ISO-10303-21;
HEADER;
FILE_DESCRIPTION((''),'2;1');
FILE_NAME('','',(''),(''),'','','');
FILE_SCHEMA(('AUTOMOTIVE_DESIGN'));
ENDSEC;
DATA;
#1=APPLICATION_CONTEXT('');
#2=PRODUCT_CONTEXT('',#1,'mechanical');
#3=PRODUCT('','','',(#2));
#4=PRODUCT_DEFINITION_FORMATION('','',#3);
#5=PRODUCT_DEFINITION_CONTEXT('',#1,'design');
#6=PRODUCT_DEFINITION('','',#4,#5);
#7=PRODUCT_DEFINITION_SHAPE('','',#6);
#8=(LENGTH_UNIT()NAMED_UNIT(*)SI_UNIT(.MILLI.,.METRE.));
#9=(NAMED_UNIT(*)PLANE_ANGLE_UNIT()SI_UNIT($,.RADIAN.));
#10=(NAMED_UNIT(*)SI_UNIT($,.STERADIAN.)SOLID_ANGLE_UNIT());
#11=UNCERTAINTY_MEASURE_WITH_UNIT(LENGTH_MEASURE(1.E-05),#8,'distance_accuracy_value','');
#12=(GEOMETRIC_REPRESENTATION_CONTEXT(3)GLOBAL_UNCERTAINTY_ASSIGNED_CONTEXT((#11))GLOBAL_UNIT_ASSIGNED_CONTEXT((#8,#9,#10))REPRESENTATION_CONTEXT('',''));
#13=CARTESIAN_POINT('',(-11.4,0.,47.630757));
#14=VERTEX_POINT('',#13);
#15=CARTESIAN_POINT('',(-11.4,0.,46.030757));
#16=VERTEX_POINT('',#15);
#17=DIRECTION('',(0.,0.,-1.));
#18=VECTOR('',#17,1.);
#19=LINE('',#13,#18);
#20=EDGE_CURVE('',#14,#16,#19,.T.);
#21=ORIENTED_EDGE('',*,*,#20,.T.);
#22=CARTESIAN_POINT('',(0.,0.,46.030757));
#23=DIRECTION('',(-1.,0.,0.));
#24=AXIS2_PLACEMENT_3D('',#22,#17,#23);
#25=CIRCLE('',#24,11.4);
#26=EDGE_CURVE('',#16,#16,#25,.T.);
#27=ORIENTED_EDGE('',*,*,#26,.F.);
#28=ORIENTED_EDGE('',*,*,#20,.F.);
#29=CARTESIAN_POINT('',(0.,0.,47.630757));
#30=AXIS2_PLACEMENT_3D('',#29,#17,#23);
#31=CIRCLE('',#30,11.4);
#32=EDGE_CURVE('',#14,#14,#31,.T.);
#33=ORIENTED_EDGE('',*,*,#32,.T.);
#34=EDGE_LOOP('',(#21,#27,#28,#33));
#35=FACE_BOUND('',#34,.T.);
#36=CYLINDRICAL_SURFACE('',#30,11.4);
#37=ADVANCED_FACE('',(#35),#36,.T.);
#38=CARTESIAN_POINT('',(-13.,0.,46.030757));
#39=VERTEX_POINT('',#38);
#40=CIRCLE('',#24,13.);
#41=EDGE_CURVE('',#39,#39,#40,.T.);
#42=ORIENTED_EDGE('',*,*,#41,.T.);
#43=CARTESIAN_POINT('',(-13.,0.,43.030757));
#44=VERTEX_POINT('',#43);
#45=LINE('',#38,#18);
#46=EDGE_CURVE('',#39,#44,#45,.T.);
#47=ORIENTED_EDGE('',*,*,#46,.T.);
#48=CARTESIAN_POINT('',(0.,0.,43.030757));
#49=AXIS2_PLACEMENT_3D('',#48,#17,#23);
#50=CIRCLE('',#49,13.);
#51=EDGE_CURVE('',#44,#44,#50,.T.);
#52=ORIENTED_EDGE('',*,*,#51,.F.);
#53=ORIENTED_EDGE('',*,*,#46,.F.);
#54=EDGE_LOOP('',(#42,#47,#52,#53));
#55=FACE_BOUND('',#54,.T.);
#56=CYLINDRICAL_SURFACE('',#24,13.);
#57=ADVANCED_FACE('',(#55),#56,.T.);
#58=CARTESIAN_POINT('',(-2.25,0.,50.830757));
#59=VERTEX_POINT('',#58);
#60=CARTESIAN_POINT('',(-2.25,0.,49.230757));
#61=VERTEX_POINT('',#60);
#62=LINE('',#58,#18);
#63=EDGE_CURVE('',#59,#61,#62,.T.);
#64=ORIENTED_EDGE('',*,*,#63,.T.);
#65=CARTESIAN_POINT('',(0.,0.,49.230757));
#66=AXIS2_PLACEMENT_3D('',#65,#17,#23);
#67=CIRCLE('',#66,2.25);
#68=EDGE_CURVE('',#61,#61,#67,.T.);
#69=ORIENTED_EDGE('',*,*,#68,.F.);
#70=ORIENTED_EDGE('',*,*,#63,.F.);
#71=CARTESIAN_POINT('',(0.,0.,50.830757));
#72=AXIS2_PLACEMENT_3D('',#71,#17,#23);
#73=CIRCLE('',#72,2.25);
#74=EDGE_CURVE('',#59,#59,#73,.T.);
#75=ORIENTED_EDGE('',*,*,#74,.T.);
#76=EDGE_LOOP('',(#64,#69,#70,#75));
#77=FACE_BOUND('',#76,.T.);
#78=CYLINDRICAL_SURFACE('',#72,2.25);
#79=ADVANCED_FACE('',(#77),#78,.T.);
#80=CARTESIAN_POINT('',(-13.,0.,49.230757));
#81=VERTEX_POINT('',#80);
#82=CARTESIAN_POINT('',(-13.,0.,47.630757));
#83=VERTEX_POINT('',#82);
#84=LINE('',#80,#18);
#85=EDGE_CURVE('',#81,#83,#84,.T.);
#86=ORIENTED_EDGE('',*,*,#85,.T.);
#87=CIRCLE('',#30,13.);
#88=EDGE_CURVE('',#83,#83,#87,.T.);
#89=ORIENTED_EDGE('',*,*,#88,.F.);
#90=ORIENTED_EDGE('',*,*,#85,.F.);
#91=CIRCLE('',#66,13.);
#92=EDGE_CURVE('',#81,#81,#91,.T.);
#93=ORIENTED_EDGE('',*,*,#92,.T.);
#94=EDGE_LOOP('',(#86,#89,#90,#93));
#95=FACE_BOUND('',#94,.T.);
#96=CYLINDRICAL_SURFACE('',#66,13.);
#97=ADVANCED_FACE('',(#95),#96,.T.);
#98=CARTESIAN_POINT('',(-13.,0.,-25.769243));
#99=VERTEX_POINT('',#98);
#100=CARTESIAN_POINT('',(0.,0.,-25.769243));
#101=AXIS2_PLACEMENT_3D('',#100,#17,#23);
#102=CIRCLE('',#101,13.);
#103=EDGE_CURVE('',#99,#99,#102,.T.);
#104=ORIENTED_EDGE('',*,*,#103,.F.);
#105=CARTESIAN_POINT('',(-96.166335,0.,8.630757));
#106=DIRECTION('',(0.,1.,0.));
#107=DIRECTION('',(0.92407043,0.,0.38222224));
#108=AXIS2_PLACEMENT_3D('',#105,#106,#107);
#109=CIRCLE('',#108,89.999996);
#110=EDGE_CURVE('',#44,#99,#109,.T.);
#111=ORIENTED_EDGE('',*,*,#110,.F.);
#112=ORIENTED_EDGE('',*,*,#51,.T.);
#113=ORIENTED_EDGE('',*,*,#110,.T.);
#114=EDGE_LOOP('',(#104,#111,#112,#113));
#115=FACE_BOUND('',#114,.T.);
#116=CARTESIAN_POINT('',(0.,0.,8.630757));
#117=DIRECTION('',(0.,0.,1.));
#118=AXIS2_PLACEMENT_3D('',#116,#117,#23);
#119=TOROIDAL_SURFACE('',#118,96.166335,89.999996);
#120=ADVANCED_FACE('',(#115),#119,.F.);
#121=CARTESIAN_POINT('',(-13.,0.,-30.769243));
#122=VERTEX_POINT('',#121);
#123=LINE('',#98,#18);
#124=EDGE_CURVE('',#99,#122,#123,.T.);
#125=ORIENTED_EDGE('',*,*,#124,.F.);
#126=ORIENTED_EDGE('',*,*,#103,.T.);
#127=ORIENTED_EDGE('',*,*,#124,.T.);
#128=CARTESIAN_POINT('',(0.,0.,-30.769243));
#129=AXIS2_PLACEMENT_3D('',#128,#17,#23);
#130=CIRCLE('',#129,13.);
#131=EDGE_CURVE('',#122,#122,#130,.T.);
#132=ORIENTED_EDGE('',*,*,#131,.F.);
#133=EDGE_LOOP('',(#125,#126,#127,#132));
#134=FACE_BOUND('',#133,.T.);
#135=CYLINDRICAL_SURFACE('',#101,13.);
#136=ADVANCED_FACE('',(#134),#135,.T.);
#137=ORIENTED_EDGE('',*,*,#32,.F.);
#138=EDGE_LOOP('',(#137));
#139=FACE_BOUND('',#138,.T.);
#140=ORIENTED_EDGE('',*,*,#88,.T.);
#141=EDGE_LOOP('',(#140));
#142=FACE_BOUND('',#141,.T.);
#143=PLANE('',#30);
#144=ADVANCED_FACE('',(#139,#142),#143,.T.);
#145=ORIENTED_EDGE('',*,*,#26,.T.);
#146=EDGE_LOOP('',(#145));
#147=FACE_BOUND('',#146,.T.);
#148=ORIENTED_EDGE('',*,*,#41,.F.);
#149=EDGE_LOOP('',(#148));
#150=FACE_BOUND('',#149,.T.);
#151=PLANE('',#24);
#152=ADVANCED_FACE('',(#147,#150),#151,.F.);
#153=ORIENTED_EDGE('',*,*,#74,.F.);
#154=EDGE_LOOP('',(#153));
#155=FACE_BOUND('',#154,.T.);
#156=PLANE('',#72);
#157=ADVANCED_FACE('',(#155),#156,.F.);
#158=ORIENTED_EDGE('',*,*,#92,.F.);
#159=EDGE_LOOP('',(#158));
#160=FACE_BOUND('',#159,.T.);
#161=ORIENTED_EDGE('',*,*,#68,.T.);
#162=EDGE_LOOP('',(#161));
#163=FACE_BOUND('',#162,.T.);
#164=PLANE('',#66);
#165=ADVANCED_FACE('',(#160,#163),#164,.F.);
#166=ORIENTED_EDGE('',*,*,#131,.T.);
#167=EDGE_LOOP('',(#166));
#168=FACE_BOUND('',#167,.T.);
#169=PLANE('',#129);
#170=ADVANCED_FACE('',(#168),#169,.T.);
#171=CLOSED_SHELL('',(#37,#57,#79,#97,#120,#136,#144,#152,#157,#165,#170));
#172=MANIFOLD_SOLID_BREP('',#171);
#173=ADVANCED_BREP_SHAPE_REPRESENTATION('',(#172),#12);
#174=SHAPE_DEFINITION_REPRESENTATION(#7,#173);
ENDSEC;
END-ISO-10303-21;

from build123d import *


with BuildPart() as f1:
    # F0 (on Front) → F1 (revolve)
    with BuildSketch(Plane.XZ):
        with BuildLine():
            Line((-2.25, 49.230757), (-13, 49.230757))
            Line((-13, 49.230757), (-13, 47.630757))
            Line((-13, 47.630757), (-11.4, 47.630757))
            Line((-11.4, 47.630757), (-11.4, 46.030757))
            Line((-11.4, 46.030757), (-13, 46.030757))
            Line((-13, 46.030757), (-13, 43.030757))
            ThreePointArc((-13, 43.030757), (-6.166339, 8.630757), (-13, -25.769243))
            Line((-13, -25.769243), (-13, -30.769243))
            Line((-13, -30.769243), (0, -30.769243))
            Line((0, -30.769243), (0, 50.830757))
            Line((0, 50.830757), (-2.25, 50.830757))
            Line((-2.25, 50.830757), (-2.25, 49.230757))
        make_face()
    revolve(axis=Axis((0, 0, 10.030757), (0, 0, -1)))


solid = f1.part
